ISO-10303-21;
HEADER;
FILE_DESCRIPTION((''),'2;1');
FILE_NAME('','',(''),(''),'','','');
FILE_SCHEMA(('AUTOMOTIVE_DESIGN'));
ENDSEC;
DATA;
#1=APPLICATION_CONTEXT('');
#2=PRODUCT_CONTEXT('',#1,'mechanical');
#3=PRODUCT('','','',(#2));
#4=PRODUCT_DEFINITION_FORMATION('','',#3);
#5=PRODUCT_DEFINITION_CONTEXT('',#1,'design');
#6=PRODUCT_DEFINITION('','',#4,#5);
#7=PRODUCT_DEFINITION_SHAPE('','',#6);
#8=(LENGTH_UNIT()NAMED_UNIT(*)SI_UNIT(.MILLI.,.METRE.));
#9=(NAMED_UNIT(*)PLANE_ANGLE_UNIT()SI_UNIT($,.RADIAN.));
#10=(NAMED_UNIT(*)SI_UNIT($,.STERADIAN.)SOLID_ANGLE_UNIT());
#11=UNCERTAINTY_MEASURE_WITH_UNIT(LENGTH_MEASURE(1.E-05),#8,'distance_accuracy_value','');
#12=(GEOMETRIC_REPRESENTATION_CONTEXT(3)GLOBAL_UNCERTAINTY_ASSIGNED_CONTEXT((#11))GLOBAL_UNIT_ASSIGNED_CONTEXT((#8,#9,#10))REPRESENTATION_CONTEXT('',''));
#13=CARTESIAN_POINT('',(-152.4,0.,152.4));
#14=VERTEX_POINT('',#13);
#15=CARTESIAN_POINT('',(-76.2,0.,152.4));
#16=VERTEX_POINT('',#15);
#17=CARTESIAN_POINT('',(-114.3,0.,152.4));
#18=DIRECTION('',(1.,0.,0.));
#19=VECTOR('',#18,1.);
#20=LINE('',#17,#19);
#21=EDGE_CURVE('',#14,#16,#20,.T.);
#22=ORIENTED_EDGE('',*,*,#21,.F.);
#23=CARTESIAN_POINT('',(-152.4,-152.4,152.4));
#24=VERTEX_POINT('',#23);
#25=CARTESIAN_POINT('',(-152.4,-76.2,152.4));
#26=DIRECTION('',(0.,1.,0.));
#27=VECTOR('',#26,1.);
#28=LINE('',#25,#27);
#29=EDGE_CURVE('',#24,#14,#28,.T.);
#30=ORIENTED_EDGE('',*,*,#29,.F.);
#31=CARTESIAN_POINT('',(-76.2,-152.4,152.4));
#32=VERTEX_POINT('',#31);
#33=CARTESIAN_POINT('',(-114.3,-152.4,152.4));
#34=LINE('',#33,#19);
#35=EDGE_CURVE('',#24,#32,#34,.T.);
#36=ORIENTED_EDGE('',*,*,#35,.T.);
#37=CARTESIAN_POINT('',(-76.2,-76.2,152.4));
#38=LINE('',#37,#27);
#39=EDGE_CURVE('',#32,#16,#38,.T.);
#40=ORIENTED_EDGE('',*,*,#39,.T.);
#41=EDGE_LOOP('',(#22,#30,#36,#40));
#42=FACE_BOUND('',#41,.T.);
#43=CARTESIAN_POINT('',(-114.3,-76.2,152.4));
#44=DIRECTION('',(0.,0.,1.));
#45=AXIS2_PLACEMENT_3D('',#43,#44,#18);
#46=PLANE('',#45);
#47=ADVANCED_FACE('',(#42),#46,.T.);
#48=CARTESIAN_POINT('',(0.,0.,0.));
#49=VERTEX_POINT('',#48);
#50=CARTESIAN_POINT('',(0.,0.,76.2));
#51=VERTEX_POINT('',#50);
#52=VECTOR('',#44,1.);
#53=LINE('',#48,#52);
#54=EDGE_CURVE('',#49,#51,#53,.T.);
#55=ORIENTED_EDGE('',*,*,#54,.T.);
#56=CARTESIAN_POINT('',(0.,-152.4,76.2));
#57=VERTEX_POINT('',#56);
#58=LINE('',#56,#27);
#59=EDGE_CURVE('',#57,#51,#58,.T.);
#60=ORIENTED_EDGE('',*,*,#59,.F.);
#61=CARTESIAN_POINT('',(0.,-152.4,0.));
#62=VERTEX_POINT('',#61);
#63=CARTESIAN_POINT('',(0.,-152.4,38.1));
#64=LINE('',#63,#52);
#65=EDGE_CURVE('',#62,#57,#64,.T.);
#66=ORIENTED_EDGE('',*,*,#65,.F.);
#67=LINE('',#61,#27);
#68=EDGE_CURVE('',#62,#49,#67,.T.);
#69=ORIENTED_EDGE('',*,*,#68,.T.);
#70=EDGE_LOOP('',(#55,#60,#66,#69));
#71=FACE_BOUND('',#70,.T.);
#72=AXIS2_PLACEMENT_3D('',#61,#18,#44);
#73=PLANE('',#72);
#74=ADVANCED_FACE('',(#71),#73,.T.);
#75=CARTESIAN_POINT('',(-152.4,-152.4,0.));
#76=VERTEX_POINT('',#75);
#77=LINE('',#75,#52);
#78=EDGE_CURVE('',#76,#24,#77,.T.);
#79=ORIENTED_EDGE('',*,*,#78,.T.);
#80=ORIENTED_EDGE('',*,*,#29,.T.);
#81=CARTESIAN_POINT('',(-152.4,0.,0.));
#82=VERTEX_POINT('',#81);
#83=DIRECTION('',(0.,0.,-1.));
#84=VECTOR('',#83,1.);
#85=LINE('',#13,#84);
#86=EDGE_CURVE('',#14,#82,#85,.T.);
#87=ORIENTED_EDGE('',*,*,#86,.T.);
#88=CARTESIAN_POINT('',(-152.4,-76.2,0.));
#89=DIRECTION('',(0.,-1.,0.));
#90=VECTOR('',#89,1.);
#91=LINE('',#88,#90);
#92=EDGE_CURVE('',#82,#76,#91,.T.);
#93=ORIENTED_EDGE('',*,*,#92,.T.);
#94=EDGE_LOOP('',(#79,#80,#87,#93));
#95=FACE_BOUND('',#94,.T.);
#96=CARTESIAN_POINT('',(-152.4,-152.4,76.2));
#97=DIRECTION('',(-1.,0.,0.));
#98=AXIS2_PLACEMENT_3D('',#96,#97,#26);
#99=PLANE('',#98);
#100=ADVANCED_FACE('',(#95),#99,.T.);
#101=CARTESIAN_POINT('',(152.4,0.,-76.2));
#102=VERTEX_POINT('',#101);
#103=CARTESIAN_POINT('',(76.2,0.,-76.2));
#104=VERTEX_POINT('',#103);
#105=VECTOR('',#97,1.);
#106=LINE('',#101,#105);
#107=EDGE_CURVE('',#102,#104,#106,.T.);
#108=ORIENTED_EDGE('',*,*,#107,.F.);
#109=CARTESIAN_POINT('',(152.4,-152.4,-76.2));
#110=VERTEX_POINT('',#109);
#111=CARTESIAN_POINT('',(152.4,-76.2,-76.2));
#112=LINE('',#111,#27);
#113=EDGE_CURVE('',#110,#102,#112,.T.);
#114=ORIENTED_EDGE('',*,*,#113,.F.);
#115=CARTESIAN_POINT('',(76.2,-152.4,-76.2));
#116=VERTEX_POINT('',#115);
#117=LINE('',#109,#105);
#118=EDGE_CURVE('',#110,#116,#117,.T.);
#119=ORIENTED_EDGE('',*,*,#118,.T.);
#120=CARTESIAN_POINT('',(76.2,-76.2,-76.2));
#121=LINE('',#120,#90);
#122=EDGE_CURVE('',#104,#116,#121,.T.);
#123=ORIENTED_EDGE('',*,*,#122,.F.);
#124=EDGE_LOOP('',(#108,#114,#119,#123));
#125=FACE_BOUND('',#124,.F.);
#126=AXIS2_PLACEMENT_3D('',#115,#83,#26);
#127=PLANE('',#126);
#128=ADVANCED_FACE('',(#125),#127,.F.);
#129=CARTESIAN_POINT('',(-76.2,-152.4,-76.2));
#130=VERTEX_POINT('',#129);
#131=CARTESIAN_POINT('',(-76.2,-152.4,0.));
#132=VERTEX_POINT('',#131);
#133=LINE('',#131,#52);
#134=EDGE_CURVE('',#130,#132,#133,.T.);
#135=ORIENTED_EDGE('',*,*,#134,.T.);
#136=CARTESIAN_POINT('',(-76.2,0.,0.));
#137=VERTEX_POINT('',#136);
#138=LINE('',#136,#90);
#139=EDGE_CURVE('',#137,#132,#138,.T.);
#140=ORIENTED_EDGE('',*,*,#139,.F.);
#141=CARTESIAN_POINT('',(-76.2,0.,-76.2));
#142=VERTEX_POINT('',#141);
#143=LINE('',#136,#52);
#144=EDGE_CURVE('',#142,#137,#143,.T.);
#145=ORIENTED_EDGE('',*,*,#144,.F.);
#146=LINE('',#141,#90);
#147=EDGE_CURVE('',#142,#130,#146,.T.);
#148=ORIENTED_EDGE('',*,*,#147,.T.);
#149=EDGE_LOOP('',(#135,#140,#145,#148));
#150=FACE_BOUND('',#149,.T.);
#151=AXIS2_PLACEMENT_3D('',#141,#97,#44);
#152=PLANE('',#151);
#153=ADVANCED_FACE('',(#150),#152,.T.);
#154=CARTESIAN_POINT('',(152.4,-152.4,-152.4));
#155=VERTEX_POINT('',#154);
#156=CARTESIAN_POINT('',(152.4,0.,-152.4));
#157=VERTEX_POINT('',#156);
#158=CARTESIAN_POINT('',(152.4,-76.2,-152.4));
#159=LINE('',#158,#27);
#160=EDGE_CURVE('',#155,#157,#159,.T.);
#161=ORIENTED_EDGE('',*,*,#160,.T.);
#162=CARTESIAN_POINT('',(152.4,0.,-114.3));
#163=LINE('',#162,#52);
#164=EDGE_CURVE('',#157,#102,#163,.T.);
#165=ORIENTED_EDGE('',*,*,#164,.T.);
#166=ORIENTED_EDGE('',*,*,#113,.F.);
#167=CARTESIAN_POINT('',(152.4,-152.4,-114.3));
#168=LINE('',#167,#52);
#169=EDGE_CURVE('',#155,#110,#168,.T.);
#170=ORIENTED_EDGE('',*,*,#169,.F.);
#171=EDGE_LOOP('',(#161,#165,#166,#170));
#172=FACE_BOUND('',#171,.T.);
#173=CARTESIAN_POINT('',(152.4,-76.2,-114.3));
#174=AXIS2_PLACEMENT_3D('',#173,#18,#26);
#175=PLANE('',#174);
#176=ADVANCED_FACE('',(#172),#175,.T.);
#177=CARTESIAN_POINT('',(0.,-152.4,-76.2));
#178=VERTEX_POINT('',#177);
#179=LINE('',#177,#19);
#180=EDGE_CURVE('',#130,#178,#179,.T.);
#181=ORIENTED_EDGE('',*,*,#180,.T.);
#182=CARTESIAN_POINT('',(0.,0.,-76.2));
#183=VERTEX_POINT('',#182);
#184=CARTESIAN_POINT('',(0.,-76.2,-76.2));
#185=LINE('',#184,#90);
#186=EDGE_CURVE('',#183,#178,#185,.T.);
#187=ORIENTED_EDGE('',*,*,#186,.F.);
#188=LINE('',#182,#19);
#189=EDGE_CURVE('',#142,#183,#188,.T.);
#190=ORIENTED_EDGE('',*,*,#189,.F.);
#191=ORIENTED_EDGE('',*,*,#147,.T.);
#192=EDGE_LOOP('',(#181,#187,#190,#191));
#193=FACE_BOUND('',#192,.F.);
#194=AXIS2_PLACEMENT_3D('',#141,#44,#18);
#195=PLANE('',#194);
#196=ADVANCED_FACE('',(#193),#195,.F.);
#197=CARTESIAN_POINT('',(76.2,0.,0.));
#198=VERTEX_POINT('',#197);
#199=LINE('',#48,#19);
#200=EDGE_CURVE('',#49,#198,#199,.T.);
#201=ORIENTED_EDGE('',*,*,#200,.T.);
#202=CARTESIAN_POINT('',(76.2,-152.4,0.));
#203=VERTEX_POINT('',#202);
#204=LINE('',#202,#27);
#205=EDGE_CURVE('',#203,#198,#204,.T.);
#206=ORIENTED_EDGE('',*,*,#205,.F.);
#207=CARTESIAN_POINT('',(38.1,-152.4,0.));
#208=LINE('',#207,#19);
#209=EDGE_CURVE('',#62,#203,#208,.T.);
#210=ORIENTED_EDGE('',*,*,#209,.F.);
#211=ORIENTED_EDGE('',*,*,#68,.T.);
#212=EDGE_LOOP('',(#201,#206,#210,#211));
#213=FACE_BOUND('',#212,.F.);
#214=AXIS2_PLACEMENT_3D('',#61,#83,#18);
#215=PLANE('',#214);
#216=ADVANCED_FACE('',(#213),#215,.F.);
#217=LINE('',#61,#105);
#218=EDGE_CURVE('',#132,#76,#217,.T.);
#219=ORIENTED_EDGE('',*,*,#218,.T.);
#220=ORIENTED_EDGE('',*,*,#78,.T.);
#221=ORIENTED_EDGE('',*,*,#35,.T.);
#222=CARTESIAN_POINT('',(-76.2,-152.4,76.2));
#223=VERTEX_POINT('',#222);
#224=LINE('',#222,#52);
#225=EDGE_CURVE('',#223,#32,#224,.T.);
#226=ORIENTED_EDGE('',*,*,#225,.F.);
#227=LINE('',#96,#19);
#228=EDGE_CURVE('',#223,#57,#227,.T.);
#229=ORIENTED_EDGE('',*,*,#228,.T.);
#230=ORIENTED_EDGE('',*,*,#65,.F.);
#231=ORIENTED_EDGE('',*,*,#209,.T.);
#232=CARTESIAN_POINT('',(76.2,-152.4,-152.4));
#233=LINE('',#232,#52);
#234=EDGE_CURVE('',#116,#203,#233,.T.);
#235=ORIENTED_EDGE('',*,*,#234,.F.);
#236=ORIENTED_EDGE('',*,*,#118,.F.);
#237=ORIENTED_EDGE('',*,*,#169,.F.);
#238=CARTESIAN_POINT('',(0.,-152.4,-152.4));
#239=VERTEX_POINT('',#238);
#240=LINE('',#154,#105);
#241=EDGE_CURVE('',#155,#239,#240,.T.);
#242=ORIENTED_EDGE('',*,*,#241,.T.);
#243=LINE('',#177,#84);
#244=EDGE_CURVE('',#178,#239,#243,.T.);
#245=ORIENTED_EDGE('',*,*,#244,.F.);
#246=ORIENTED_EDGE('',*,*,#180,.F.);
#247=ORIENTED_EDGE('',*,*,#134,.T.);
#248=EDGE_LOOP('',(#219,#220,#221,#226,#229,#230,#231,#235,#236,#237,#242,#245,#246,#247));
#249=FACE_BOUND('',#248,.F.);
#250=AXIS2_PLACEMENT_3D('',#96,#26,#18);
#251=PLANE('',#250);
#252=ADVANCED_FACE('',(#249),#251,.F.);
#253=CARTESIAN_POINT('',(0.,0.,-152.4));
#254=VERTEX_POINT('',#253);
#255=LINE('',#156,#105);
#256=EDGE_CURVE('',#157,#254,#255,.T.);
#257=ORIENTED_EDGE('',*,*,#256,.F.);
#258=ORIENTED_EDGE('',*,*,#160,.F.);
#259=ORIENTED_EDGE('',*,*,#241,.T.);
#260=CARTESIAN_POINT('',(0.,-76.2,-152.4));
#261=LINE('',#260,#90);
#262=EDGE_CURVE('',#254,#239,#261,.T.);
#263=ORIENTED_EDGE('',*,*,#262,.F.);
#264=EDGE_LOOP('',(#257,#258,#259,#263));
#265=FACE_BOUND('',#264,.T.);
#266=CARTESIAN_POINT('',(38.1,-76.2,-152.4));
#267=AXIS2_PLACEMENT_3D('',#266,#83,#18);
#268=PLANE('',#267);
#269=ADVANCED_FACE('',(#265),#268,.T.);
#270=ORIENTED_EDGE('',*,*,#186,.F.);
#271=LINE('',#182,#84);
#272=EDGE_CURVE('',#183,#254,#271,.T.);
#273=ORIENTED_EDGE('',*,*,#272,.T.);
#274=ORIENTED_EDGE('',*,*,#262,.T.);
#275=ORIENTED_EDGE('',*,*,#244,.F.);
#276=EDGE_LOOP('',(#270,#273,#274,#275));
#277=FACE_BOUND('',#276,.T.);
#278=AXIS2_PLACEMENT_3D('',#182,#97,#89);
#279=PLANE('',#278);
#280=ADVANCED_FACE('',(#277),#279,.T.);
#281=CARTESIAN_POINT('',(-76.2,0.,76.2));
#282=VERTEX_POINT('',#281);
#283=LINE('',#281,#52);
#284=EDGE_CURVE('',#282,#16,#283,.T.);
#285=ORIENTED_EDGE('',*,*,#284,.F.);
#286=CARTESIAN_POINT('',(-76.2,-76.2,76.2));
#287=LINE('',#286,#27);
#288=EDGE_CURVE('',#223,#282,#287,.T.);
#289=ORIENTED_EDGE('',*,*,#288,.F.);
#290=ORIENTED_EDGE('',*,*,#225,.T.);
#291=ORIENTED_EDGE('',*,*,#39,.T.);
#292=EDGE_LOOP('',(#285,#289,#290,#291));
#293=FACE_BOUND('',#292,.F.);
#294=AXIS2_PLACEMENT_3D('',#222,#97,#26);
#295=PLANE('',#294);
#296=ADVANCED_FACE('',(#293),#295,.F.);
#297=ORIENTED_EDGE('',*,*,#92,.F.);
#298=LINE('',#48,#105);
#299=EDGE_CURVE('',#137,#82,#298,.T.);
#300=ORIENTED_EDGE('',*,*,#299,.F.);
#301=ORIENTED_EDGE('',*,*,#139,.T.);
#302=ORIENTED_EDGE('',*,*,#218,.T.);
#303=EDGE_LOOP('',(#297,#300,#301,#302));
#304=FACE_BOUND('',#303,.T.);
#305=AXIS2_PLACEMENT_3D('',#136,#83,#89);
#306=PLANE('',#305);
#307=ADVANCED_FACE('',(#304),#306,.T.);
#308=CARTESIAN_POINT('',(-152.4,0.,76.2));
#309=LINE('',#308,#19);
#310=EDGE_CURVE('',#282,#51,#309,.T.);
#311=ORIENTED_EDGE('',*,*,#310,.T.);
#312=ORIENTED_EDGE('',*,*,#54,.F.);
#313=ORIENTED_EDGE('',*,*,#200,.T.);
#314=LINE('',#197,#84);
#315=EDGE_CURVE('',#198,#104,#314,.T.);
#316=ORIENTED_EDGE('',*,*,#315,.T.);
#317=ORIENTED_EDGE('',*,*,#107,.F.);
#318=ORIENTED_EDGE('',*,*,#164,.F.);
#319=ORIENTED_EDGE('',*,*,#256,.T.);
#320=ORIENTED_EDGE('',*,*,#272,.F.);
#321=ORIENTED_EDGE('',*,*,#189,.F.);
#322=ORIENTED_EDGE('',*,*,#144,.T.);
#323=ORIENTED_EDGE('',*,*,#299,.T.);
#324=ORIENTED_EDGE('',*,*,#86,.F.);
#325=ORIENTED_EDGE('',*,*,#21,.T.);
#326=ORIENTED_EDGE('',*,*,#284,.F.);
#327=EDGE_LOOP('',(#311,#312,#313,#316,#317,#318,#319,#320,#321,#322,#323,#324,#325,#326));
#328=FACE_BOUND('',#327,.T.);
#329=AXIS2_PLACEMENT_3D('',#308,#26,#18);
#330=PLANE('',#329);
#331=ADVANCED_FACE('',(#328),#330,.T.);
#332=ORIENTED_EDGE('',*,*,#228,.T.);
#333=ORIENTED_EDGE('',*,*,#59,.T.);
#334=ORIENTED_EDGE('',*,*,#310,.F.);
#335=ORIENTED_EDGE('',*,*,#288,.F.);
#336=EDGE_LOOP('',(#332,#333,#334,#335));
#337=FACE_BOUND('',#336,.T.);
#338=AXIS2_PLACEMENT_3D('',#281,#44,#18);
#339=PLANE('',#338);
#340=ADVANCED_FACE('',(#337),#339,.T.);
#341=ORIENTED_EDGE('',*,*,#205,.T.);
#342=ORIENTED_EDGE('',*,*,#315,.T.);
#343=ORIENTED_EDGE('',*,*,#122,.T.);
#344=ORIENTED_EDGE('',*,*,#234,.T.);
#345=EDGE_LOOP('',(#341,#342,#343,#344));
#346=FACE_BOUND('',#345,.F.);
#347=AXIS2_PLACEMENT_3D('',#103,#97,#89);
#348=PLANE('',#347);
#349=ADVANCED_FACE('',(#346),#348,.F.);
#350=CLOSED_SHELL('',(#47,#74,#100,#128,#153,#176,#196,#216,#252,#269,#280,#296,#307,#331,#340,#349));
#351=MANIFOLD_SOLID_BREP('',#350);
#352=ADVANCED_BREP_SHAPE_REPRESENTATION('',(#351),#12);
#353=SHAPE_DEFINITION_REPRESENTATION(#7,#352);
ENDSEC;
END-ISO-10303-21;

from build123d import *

# Parameters (mm, degrees)
F0_W      = 152.4
F0_H      = 152.4
F1_DEPTH  = 152.4
F2_W      = 76.2
F2_H      = 76.2
F3_DEPTH  = 271.78
F4_W      = 152.4
F4_H      = 76.2
F5_DEPTH  = 76.2
F6_W      = 76.2
F6_H      = 152.4
F7_DEPTH  = 76.2
F8_W      = 76.2
F8_H      = 152.4
F9_DEPTH  = 76.2
F10_W     = 152.4
F10_H     = 76.2
F11_DEPTH = 76.2


with BuildPart() as f1:
    # F0 (on Front) → F1 (new body)
    with BuildSketch(Plane.XZ):
        Rectangle(F0_W, F0_H)
    extrude(amount=F1_DEPTH)

    # F2 (on face) → F3 (cut)
    with BuildSketch(Plane.XZ.offset(152.4)):
        with Locations((38.1, 38.1)):
            Rectangle(F2_W, F2_H)
    extrude(amount=-F3_DEPTH, mode=Mode.SUBTRACT)

    # F4 (on face) → F5 (join, symmetric)
    with BuildSketch(Plane(origin=(-76.2, 0, 0), x_dir=(0, -1, 0), z_dir=(-1, 0, 0))):
        with Locations((76.2, 38.1)):
            Rectangle(F4_W, F4_H)
    extrude(amount=F5_DEPTH, both=True)

    # F6 (on face) → F7 (join)
    with BuildSketch(Plane(origin=(0, 0, -76.2), x_dir=(1, 0, 0), z_dir=(0, 0, -1))):
        with Locations((38.1, 76.2)):
            Rectangle(F6_W, F6_H)
    extrude(amount=F7_DEPTH)

    # F8 (on face) → F9 (join)
    with BuildSketch(Plane.XY.offset(76.2)):
        with Locations((-114.3, -76.2)):
            Rectangle(F8_W, F8_H)
    extrude(amount=F9_DEPTH)

    # F10 (on face) → F11 (join, symmetric)
    with BuildSketch(Plane.YZ.offset(76.2)):
        with Locations((-76.2, -114.3)):
            Rectangle(F10_W, F10_H)
    extrude(amount=F11_DEPTH, both=True)


solid = f1.part
